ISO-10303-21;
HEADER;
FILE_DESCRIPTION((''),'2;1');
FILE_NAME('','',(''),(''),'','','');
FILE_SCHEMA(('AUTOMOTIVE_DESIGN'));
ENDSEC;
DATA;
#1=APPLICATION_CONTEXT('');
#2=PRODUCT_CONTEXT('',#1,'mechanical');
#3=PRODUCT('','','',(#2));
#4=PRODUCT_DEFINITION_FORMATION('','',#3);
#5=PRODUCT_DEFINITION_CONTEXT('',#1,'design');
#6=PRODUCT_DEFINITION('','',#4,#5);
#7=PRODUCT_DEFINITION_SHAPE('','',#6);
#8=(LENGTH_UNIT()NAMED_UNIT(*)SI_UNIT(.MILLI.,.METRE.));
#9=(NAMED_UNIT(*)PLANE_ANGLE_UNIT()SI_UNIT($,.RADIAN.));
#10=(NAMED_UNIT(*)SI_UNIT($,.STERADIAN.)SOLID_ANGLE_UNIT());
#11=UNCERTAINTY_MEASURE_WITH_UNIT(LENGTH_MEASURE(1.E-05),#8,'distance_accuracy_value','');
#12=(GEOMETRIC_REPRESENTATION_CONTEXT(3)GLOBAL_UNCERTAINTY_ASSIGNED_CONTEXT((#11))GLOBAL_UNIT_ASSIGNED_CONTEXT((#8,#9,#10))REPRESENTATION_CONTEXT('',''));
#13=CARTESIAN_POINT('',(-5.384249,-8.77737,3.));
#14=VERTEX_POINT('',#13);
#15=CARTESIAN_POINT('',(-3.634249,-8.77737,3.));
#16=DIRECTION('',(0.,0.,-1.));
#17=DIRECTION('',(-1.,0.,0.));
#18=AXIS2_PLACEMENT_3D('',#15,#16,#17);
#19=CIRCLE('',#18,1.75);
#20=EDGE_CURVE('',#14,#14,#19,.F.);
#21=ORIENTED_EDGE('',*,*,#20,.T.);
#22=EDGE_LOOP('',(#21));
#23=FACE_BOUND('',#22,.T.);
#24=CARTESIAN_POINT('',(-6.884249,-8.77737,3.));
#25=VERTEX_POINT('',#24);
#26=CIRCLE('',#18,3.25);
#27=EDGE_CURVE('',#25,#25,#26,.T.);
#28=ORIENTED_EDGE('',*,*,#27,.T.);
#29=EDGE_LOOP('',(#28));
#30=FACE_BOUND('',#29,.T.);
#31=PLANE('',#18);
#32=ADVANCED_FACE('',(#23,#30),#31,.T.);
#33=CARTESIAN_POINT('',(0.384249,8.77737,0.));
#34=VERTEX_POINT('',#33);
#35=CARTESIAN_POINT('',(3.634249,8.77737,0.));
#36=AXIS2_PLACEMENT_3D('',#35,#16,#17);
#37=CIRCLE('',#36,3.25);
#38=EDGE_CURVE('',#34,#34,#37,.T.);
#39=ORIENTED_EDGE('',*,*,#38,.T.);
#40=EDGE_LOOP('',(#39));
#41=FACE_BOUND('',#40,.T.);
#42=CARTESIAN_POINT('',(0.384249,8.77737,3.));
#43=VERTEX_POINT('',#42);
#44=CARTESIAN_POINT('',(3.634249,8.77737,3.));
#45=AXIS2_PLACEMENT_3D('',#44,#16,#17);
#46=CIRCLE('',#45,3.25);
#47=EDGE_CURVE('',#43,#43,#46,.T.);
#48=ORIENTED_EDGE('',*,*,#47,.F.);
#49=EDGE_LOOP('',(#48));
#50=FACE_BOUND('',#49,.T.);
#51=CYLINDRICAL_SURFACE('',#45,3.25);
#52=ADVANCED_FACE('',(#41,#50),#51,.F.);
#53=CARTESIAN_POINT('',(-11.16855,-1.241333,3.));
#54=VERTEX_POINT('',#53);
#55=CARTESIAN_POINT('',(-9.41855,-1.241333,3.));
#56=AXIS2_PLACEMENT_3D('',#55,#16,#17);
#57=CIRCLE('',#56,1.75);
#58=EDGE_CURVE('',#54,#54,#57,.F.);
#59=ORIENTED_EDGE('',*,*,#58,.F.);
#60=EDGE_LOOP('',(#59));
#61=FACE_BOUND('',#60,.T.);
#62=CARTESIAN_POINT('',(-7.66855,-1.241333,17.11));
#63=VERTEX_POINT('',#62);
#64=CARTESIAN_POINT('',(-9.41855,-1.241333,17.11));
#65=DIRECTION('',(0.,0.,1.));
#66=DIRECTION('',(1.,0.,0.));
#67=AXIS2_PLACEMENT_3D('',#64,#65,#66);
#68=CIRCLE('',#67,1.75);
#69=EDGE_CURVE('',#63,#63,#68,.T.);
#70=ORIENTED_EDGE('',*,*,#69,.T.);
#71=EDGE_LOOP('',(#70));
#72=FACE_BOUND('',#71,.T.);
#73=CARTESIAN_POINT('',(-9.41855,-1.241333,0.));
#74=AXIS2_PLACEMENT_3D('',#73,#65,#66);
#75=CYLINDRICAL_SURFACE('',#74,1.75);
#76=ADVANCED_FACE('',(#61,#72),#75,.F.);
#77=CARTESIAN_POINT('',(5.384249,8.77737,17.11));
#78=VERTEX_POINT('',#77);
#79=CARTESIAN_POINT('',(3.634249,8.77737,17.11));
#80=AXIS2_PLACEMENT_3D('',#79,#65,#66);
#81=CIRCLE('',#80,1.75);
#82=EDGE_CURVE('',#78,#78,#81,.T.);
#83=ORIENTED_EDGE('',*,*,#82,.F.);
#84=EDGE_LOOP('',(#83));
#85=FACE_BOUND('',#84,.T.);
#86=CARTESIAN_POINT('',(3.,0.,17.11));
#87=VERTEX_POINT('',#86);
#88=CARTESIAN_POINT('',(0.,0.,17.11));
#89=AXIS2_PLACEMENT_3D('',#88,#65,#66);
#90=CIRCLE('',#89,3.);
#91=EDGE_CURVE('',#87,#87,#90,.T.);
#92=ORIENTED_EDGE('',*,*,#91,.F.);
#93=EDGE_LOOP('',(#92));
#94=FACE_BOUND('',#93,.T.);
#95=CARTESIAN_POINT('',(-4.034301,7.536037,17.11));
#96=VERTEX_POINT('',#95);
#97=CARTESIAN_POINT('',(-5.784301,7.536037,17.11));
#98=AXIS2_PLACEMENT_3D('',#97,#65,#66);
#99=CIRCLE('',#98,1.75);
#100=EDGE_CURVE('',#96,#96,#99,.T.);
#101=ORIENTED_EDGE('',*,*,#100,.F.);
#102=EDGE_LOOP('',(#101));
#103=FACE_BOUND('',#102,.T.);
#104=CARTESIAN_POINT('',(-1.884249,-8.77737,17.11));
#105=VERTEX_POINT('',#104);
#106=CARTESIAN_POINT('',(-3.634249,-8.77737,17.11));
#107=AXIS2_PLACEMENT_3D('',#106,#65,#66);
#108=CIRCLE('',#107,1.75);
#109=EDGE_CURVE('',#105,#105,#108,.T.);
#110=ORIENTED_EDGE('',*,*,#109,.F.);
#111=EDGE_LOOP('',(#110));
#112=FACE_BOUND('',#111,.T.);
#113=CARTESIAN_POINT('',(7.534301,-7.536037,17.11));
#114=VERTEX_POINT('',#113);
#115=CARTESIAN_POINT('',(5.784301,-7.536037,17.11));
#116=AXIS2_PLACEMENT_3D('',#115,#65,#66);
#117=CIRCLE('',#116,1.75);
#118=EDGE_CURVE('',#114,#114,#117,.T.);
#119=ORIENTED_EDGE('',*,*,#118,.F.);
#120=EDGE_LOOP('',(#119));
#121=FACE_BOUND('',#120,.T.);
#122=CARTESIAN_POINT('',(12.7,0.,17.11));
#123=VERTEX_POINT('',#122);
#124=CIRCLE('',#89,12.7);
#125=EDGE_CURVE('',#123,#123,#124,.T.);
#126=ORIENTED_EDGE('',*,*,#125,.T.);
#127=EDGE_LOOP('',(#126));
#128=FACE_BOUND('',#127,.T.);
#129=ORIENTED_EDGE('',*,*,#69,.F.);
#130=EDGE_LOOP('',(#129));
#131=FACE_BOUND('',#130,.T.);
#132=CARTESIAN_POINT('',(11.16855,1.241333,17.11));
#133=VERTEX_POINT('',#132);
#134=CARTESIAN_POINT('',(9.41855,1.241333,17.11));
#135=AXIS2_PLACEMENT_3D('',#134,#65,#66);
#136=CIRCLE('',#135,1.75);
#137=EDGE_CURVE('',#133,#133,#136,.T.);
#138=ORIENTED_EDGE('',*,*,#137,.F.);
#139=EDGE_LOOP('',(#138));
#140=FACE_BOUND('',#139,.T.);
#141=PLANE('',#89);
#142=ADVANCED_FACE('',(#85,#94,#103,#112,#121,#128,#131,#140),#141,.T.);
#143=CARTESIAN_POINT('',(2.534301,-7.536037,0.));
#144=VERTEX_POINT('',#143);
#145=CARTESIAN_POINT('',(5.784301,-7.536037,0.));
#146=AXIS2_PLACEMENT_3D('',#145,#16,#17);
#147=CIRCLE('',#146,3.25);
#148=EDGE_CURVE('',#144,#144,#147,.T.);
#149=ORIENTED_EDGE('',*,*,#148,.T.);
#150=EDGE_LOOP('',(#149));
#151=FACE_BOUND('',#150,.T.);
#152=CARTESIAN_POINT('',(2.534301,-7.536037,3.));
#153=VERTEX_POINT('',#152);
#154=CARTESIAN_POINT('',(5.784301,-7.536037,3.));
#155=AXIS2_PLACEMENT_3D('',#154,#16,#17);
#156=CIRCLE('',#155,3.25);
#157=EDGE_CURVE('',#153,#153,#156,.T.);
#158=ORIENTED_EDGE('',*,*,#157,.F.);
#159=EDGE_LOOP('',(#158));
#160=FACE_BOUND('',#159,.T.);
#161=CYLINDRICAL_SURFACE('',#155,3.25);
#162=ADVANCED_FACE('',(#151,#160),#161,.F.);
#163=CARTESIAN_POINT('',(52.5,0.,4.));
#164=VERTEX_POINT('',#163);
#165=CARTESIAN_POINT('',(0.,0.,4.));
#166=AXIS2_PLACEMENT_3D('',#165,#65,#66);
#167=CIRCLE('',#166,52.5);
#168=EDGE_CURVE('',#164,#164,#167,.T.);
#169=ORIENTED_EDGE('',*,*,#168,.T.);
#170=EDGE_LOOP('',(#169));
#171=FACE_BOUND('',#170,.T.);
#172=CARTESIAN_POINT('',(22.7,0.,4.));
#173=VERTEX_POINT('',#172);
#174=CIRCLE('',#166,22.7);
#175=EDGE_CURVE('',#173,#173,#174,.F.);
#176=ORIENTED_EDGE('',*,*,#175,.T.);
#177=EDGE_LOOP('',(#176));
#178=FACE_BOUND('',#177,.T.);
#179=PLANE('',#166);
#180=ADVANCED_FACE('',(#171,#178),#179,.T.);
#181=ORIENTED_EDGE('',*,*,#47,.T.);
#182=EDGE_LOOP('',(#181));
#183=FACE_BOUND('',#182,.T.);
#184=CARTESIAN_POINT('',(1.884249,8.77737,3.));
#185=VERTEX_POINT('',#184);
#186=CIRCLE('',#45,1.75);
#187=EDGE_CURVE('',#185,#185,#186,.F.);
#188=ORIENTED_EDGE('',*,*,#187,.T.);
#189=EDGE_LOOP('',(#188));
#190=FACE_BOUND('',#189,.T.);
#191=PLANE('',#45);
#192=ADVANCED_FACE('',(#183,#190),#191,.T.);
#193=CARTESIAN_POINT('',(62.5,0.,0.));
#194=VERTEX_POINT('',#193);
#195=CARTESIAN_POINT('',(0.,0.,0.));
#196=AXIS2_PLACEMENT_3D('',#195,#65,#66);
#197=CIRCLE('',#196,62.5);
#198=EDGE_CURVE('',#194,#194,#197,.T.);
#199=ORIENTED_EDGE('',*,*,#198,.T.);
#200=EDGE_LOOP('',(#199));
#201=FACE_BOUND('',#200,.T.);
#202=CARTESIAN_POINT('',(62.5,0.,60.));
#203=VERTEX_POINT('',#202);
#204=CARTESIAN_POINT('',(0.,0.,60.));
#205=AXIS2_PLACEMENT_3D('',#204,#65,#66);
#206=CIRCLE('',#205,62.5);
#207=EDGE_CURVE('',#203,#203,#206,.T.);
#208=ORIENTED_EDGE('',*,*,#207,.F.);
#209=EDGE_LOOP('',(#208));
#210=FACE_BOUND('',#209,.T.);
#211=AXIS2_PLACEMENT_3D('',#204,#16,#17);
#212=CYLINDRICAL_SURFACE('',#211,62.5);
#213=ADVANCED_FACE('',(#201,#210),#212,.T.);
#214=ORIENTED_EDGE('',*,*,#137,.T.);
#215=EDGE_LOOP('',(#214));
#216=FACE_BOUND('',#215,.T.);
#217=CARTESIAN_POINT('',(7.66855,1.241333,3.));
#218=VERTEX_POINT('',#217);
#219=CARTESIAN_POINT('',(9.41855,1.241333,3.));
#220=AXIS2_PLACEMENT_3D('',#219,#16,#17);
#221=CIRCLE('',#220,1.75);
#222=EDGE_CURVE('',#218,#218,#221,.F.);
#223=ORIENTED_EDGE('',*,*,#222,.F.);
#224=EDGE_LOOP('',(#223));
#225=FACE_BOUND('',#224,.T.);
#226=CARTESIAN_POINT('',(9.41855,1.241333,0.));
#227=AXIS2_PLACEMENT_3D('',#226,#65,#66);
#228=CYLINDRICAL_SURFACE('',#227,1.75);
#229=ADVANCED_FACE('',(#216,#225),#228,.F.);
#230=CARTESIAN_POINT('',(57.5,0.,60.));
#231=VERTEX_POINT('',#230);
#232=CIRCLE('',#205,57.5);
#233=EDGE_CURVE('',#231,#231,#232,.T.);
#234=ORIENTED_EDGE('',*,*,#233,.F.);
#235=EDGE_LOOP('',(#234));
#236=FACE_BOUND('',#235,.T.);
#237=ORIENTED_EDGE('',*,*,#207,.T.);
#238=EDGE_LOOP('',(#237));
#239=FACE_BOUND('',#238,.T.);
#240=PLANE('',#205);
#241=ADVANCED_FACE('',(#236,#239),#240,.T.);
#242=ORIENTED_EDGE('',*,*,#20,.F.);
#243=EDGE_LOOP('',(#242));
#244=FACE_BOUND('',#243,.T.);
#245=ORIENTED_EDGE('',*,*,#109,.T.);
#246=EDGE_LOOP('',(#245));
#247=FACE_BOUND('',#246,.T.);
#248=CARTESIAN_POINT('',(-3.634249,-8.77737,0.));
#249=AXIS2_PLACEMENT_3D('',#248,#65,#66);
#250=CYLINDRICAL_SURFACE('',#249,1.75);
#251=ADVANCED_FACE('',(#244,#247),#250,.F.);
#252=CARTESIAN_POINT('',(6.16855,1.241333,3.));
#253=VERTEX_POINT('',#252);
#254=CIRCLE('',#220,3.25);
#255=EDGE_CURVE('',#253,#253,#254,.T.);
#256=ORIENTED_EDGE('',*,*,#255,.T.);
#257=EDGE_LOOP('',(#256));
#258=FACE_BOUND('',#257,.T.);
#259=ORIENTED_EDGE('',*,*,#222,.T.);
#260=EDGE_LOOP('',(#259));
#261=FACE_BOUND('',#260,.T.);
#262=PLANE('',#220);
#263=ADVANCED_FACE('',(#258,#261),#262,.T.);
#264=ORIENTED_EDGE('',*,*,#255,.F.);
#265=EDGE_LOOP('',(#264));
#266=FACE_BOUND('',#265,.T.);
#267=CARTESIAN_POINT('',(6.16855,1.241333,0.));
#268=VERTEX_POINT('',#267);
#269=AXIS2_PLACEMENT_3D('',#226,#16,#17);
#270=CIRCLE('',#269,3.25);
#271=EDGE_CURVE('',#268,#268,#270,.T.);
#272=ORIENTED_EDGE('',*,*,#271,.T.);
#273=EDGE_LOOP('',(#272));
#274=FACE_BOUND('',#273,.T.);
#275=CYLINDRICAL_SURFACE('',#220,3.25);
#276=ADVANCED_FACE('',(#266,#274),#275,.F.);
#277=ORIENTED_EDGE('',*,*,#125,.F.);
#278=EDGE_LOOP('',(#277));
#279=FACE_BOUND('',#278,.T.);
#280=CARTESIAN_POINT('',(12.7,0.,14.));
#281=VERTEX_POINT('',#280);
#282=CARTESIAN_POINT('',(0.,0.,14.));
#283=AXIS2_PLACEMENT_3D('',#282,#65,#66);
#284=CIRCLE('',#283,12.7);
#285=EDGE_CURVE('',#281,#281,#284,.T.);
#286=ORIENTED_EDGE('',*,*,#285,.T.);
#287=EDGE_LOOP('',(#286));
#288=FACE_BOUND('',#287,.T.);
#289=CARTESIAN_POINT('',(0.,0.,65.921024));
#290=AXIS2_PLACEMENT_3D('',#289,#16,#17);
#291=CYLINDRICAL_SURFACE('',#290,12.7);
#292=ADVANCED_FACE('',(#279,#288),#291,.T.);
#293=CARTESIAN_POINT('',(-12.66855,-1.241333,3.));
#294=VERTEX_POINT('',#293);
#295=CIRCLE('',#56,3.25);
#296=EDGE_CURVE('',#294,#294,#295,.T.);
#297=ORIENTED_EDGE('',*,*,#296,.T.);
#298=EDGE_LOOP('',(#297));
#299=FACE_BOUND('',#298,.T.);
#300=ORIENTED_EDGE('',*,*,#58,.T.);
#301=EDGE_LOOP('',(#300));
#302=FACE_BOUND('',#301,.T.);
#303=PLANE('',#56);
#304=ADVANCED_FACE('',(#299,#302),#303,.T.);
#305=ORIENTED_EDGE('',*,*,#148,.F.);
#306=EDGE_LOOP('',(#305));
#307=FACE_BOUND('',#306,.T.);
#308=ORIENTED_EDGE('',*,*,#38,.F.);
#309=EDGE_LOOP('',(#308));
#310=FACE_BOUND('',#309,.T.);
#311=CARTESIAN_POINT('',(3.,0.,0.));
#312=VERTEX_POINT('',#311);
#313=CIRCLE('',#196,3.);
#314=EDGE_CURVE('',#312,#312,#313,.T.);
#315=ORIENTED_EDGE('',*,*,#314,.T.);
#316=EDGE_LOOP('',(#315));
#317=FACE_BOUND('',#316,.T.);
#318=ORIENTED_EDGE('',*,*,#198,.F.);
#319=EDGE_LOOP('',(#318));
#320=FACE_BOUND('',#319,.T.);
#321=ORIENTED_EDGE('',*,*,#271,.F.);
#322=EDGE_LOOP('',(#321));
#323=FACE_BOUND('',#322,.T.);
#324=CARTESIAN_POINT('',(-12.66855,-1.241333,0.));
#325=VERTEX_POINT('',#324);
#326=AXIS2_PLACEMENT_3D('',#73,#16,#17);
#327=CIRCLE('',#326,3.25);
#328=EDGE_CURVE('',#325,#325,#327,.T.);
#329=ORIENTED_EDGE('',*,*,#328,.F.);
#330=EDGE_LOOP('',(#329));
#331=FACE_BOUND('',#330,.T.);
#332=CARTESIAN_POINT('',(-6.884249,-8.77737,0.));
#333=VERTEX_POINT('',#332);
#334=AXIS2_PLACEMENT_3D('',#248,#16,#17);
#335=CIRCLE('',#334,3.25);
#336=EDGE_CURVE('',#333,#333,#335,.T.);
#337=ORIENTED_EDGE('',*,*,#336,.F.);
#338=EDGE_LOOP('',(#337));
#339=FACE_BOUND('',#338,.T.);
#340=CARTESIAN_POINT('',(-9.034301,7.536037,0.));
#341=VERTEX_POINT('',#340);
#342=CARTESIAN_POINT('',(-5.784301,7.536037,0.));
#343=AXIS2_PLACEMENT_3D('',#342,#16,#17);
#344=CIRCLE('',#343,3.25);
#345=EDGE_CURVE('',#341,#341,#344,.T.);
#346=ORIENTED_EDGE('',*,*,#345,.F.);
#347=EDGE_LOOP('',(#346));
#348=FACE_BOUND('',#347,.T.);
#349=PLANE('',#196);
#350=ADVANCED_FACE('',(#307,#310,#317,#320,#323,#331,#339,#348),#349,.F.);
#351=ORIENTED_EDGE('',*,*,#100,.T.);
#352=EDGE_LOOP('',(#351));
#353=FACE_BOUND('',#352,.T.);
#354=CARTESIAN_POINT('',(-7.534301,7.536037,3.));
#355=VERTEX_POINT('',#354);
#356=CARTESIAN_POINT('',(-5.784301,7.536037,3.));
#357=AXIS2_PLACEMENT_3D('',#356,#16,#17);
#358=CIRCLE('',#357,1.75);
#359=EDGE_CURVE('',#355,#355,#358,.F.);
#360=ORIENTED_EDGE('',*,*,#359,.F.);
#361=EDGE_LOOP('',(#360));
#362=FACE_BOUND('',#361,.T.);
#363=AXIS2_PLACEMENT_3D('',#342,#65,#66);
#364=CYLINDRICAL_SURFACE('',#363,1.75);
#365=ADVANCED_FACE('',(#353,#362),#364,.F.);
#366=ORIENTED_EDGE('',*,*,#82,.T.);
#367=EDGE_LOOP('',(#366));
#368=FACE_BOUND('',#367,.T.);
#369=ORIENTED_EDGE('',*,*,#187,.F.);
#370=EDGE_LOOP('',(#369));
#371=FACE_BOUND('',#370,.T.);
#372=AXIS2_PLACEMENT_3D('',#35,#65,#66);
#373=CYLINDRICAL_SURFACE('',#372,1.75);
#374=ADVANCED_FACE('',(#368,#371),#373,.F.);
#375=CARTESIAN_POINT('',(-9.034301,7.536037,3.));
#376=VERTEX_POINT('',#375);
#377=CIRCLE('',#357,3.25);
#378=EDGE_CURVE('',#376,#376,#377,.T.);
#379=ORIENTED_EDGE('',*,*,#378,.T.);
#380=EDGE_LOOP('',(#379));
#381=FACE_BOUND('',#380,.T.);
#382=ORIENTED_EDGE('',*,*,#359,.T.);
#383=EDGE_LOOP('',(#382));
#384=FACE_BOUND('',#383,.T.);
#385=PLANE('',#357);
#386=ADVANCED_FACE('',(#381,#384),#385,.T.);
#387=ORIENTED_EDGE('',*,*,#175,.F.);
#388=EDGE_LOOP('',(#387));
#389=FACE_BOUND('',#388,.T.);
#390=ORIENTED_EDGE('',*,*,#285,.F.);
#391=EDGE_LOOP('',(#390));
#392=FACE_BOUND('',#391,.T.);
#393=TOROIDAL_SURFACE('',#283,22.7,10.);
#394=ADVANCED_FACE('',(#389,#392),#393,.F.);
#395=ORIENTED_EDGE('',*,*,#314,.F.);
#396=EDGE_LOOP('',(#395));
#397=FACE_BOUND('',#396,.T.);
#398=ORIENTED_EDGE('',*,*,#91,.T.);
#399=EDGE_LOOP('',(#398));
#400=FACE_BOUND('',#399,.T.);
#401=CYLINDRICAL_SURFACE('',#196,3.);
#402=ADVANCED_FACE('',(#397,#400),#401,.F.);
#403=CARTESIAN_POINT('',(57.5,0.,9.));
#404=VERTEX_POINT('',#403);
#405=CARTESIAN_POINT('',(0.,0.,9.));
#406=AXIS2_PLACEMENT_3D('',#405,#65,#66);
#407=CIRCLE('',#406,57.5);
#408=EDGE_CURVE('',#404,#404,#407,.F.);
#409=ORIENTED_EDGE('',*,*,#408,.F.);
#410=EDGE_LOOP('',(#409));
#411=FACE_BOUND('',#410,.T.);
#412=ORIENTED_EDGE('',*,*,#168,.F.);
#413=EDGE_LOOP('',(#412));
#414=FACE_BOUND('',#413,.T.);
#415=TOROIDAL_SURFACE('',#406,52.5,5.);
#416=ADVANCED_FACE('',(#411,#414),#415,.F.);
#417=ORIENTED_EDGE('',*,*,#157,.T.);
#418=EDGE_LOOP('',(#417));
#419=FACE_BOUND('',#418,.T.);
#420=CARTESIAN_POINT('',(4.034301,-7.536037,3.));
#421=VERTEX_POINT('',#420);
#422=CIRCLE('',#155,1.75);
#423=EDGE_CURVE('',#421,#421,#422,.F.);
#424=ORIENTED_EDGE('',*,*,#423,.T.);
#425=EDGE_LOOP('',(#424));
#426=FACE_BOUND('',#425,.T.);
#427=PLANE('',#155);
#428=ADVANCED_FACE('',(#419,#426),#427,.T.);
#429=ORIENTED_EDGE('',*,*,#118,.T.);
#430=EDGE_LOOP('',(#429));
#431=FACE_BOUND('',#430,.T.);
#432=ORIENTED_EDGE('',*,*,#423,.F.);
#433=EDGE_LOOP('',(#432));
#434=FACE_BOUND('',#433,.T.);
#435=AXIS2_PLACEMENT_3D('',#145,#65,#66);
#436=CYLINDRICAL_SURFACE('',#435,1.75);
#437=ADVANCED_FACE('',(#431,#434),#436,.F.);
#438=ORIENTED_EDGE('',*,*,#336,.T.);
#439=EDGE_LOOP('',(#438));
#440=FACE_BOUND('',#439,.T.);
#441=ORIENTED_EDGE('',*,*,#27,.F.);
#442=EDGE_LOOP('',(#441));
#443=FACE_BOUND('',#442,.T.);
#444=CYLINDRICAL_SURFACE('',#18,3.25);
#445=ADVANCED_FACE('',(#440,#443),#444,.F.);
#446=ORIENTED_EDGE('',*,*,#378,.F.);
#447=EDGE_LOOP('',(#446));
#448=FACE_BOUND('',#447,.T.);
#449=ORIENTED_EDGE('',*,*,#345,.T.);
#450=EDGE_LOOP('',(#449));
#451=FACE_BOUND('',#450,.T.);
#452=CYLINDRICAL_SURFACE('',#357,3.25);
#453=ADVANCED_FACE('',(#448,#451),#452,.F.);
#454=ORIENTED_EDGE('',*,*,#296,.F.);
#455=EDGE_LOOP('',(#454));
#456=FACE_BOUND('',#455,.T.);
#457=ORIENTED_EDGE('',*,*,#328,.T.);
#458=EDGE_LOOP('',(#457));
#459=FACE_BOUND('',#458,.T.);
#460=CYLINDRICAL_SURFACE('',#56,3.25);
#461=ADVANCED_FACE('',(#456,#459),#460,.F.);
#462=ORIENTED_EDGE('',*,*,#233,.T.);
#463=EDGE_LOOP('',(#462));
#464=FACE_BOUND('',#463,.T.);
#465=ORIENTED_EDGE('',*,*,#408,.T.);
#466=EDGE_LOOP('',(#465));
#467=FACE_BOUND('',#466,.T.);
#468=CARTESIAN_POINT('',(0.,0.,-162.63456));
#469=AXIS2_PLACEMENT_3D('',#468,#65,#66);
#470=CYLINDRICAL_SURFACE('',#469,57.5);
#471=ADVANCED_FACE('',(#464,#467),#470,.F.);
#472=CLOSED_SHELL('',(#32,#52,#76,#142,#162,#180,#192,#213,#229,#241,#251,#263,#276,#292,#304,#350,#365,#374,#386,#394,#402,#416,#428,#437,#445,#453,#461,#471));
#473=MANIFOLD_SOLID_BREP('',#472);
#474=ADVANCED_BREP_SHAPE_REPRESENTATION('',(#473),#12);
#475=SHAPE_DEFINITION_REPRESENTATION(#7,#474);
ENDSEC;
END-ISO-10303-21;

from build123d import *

# Parameters (mm, degrees)
SKETCH1_R           = 62.5
BOSS_EXTRUDE1_DEPTH = 60
SKETCH2_R           = 57.5
CUT_EXTRUDE1_DEPTH  = 56
SKETCH3_R           = 12.7
BOSS_EXTRUDE2_DEPTH = 13.11
SKETCH4_R           = 1.75
SKETCH4_R_2         = 3
CUT_EXTRUDE2_DEPTH  = 99.244857881
SKETCH5_R           = 3.25
CUT_EXTRUDE3_DEPTH  = 3
FILLET1_R           = 5
FILLET2_R           = 10


with BuildPart() as part:
    # Sketch1 → Boss-Extrude1 (new body)
    with BuildSketch(Plane.XY):
        Circle(SKETCH1_R)
    extrude(amount=BOSS_EXTRUDE1_DEPTH)

    # Sketch2 → Cut-Extrude1 (cut)
    with BuildSketch(Plane.XY.offset(60)):
        Circle(SKETCH2_R)
    extrude(amount=-CUT_EXTRUDE1_DEPTH, mode=Mode.SUBTRACT)

    # Sketch3 → Boss-Extrude2 (add)
    with BuildSketch(Plane.XY.offset(4)):
        Circle(SKETCH3_R)
    extrude(amount=BOSS_EXTRUDE2_DEPTH)

    # Sketch4 → Cut-Extrude2 (cut, through all)
    with BuildSketch(Plane.XY.offset(17.11)):
        with Locations((-5.784301124, 7.536037454)):
            Circle(SKETCH4_R)
        with Locations((-9.418550441, -1.24133299)):
            Circle(SKETCH4_R)
        with Locations((-3.634249317, -8.777370444)):
            Circle(SKETCH4_R)
        with Locations((5.784301124, -7.536037454)):
            Circle(SKETCH4_R)
        with Locations((9.418550441, 1.24133299)):
            Circle(SKETCH4_R)
        with Locations((3.634249317, 8.777370444)):
            Circle(SKETCH4_R)
        Circle(SKETCH4_R_2)
    extrude(amount=-CUT_EXTRUDE2_DEPTH, mode=Mode.SUBTRACT)

    # Sketch5 → Cut-Extrude3 (cut)
    with BuildSketch(Plane(origin=(0, 0, 0), x_dir=(-1, 0, 0), z_dir=(0, 0, -1))):
        with Locations((-9.418550441, 1.24133299)):
            Circle(SKETCH5_R)
        with Locations((-3.634249317, 8.777370444)):
            Circle(SKETCH5_R)
        with Locations((5.784301124, 7.536037454)):
            Circle(SKETCH5_R)
        with Locations((9.418550441, -1.24133299)):
            Circle(SKETCH5_R)
        with Locations((3.634249317, -8.777370444)):
            Circle(SKETCH5_R)
        with Locations((-5.784301124, -7.536037454)):
            Circle(SKETCH5_R)
    extrude(amount=-CUT_EXTRUDE3_DEPTH, mode=Mode.SUBTRACT)

    # Fillet1
    fillet1_edges = [part.edges().sort_by_distance(p)[0] for p in [
        (-57.5, 0, 4),
    ]]
    fillet(fillet1_edges, radius=FILLET1_R)

    # Fillet2
    fillet2_edges = [part.edges().sort_by_distance(p)[0] for p in [
        (-12.7, 0, 4),
    ]]
    fillet(fillet2_edges, radius=FILLET2_R)


solid = part.part
